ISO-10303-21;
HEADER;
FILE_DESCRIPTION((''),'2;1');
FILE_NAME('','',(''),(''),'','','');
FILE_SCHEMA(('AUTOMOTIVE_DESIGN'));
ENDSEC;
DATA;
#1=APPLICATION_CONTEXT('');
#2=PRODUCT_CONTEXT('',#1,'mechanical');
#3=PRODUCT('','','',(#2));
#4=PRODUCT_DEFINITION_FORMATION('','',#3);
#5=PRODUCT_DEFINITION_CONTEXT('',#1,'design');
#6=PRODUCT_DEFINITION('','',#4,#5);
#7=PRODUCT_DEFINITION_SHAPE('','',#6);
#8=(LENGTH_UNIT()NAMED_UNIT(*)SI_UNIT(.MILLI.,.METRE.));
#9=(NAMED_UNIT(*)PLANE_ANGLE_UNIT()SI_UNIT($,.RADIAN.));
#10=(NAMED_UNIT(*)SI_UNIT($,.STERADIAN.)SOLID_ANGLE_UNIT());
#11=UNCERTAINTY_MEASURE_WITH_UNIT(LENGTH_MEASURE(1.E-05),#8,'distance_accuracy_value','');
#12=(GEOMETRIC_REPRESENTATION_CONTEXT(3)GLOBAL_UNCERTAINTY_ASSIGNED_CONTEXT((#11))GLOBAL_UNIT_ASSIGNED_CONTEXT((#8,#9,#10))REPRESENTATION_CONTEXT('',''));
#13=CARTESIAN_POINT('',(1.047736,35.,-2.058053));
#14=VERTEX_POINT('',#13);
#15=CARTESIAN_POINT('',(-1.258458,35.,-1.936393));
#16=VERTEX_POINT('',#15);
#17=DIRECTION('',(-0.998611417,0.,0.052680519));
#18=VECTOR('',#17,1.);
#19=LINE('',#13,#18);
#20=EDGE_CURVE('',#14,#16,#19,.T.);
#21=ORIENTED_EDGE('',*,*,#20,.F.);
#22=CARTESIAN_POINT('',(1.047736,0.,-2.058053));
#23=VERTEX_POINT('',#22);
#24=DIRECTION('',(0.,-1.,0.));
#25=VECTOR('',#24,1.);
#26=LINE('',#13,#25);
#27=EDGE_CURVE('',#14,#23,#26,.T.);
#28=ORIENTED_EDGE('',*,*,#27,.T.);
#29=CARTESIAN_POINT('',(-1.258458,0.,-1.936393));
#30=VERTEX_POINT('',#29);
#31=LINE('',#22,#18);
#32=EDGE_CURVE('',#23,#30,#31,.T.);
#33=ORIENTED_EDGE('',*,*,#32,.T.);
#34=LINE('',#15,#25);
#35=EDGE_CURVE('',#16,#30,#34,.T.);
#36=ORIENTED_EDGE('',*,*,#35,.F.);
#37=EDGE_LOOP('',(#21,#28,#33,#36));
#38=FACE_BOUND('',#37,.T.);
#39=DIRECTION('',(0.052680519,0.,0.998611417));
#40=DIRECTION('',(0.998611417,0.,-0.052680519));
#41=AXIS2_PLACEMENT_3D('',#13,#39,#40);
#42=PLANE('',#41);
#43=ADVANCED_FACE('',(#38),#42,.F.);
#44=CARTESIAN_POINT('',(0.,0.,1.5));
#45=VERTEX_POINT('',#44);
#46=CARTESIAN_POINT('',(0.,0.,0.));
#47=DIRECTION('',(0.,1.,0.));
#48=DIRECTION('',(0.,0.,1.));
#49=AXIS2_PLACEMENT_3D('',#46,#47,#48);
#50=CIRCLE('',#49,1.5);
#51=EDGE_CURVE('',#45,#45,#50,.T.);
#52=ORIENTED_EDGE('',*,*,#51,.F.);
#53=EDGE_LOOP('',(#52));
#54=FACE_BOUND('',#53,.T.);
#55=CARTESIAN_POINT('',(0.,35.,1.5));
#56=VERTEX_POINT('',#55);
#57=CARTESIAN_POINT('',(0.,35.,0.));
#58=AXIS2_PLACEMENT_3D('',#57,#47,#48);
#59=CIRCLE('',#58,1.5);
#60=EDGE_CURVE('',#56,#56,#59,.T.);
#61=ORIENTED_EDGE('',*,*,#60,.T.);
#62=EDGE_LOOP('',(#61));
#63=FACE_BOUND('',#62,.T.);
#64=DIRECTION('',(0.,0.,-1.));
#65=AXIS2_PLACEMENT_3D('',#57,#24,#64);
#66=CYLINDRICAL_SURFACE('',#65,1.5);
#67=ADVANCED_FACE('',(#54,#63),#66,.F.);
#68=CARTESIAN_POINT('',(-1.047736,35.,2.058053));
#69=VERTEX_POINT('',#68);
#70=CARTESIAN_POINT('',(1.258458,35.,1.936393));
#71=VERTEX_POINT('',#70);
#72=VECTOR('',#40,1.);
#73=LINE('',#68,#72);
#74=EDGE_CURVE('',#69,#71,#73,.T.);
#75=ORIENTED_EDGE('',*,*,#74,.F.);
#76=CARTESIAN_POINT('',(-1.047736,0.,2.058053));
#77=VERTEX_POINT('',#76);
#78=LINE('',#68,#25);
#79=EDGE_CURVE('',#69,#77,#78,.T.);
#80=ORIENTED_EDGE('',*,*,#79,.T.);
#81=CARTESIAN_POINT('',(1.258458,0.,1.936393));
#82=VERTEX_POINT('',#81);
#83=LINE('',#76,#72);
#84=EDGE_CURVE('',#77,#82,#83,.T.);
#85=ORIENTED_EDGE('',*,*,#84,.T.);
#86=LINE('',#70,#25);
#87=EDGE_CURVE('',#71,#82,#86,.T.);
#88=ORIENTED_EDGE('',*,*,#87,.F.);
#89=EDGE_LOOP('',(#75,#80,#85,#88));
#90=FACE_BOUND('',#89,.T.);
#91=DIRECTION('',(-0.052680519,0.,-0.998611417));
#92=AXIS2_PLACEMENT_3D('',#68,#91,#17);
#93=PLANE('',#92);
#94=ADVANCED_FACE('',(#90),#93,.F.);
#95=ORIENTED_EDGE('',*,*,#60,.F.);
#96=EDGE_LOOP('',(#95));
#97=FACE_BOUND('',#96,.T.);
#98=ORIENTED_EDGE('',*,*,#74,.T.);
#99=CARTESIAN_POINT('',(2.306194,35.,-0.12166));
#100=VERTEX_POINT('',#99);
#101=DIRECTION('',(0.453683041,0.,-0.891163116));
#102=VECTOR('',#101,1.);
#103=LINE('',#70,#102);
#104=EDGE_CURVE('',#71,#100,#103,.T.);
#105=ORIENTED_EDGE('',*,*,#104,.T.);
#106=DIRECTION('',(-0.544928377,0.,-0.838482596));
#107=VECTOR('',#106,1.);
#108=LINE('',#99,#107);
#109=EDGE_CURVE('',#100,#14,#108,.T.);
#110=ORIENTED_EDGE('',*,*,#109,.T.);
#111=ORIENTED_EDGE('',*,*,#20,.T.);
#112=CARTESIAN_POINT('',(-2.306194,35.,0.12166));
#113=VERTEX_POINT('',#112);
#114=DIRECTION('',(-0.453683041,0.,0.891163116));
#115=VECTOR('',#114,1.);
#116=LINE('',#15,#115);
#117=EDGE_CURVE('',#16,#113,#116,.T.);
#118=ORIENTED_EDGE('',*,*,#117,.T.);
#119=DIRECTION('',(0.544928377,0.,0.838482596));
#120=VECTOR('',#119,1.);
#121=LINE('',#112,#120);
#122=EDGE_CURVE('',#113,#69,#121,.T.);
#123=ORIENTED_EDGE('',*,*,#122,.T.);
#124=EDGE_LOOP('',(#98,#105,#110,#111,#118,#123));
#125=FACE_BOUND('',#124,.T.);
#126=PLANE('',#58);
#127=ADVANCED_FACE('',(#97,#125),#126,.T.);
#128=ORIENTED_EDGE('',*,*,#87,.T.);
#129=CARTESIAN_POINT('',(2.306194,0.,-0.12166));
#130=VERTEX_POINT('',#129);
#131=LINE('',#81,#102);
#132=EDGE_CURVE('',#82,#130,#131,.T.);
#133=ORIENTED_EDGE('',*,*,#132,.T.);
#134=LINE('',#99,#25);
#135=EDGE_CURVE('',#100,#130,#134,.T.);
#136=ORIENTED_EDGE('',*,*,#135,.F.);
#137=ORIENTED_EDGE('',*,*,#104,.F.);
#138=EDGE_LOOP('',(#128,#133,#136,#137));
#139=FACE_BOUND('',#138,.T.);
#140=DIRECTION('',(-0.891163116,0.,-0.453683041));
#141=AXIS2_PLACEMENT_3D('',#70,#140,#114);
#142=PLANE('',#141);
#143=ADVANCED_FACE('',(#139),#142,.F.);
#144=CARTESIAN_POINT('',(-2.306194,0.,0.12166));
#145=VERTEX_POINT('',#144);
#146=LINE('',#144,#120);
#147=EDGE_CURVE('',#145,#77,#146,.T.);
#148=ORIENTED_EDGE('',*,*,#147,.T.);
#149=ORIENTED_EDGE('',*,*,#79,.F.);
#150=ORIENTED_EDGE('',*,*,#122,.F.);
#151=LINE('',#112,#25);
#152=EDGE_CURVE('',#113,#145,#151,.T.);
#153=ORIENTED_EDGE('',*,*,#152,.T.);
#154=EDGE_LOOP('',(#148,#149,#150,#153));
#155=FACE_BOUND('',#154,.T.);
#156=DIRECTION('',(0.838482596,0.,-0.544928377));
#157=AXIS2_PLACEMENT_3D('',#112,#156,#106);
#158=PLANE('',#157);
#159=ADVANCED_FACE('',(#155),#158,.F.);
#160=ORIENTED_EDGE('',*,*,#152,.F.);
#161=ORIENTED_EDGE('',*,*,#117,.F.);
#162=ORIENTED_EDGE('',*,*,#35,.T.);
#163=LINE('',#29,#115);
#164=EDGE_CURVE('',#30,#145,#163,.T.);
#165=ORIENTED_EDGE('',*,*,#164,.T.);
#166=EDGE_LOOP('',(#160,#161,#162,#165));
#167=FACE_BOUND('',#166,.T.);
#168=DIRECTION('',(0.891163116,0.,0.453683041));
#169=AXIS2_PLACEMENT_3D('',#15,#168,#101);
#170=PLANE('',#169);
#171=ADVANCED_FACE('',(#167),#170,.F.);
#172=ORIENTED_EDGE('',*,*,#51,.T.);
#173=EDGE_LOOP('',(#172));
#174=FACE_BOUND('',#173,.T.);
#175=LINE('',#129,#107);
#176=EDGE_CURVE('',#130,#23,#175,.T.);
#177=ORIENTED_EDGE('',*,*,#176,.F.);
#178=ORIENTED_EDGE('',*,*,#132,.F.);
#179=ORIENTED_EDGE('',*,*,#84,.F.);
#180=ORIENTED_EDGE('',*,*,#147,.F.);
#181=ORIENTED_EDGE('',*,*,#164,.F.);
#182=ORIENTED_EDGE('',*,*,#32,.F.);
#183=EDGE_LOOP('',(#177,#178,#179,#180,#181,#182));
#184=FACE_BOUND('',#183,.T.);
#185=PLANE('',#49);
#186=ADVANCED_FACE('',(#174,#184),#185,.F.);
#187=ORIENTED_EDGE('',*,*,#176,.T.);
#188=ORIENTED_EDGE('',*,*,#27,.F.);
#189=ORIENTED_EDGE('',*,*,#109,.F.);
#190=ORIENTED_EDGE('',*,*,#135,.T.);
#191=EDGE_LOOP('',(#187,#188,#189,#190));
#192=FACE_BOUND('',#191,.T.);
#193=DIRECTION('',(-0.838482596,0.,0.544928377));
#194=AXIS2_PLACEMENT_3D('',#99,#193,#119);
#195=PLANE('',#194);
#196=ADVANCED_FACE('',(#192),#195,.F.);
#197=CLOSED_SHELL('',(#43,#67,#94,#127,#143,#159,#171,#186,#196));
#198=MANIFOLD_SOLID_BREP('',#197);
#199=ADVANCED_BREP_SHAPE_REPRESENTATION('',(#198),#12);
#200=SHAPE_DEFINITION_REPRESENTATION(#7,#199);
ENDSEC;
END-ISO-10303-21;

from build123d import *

# Parameters (mm, degrees)
SKETCH_1_R      = 1.5
EXTRUDE_1_DEPTH = 35


with BuildPart() as part:
    # 草图1 → 凸台-拉伸1 (new body)
    with BuildSketch(Plane(origin=(0, 0, 0), x_dir=(1, 0, 0), z_dir=(0, 1, 0))):
        Polygon((1.047736103, 2.058053059), (-1.25845818, 1.936392611), (-2.306194283, -0.121660448), (-1.047736103, -2.058053059), (1.25845818, -1.936392611), (2.306194283, 0.121660448), align=None)
        with Locations(Location((0, 0, 0), (0, 0, 270))):
            Circle(SKETCH_1_R, mode=Mode.SUBTRACT)
    extrude(amount=EXTRUDE_1_DEPTH)


solid = part.part
